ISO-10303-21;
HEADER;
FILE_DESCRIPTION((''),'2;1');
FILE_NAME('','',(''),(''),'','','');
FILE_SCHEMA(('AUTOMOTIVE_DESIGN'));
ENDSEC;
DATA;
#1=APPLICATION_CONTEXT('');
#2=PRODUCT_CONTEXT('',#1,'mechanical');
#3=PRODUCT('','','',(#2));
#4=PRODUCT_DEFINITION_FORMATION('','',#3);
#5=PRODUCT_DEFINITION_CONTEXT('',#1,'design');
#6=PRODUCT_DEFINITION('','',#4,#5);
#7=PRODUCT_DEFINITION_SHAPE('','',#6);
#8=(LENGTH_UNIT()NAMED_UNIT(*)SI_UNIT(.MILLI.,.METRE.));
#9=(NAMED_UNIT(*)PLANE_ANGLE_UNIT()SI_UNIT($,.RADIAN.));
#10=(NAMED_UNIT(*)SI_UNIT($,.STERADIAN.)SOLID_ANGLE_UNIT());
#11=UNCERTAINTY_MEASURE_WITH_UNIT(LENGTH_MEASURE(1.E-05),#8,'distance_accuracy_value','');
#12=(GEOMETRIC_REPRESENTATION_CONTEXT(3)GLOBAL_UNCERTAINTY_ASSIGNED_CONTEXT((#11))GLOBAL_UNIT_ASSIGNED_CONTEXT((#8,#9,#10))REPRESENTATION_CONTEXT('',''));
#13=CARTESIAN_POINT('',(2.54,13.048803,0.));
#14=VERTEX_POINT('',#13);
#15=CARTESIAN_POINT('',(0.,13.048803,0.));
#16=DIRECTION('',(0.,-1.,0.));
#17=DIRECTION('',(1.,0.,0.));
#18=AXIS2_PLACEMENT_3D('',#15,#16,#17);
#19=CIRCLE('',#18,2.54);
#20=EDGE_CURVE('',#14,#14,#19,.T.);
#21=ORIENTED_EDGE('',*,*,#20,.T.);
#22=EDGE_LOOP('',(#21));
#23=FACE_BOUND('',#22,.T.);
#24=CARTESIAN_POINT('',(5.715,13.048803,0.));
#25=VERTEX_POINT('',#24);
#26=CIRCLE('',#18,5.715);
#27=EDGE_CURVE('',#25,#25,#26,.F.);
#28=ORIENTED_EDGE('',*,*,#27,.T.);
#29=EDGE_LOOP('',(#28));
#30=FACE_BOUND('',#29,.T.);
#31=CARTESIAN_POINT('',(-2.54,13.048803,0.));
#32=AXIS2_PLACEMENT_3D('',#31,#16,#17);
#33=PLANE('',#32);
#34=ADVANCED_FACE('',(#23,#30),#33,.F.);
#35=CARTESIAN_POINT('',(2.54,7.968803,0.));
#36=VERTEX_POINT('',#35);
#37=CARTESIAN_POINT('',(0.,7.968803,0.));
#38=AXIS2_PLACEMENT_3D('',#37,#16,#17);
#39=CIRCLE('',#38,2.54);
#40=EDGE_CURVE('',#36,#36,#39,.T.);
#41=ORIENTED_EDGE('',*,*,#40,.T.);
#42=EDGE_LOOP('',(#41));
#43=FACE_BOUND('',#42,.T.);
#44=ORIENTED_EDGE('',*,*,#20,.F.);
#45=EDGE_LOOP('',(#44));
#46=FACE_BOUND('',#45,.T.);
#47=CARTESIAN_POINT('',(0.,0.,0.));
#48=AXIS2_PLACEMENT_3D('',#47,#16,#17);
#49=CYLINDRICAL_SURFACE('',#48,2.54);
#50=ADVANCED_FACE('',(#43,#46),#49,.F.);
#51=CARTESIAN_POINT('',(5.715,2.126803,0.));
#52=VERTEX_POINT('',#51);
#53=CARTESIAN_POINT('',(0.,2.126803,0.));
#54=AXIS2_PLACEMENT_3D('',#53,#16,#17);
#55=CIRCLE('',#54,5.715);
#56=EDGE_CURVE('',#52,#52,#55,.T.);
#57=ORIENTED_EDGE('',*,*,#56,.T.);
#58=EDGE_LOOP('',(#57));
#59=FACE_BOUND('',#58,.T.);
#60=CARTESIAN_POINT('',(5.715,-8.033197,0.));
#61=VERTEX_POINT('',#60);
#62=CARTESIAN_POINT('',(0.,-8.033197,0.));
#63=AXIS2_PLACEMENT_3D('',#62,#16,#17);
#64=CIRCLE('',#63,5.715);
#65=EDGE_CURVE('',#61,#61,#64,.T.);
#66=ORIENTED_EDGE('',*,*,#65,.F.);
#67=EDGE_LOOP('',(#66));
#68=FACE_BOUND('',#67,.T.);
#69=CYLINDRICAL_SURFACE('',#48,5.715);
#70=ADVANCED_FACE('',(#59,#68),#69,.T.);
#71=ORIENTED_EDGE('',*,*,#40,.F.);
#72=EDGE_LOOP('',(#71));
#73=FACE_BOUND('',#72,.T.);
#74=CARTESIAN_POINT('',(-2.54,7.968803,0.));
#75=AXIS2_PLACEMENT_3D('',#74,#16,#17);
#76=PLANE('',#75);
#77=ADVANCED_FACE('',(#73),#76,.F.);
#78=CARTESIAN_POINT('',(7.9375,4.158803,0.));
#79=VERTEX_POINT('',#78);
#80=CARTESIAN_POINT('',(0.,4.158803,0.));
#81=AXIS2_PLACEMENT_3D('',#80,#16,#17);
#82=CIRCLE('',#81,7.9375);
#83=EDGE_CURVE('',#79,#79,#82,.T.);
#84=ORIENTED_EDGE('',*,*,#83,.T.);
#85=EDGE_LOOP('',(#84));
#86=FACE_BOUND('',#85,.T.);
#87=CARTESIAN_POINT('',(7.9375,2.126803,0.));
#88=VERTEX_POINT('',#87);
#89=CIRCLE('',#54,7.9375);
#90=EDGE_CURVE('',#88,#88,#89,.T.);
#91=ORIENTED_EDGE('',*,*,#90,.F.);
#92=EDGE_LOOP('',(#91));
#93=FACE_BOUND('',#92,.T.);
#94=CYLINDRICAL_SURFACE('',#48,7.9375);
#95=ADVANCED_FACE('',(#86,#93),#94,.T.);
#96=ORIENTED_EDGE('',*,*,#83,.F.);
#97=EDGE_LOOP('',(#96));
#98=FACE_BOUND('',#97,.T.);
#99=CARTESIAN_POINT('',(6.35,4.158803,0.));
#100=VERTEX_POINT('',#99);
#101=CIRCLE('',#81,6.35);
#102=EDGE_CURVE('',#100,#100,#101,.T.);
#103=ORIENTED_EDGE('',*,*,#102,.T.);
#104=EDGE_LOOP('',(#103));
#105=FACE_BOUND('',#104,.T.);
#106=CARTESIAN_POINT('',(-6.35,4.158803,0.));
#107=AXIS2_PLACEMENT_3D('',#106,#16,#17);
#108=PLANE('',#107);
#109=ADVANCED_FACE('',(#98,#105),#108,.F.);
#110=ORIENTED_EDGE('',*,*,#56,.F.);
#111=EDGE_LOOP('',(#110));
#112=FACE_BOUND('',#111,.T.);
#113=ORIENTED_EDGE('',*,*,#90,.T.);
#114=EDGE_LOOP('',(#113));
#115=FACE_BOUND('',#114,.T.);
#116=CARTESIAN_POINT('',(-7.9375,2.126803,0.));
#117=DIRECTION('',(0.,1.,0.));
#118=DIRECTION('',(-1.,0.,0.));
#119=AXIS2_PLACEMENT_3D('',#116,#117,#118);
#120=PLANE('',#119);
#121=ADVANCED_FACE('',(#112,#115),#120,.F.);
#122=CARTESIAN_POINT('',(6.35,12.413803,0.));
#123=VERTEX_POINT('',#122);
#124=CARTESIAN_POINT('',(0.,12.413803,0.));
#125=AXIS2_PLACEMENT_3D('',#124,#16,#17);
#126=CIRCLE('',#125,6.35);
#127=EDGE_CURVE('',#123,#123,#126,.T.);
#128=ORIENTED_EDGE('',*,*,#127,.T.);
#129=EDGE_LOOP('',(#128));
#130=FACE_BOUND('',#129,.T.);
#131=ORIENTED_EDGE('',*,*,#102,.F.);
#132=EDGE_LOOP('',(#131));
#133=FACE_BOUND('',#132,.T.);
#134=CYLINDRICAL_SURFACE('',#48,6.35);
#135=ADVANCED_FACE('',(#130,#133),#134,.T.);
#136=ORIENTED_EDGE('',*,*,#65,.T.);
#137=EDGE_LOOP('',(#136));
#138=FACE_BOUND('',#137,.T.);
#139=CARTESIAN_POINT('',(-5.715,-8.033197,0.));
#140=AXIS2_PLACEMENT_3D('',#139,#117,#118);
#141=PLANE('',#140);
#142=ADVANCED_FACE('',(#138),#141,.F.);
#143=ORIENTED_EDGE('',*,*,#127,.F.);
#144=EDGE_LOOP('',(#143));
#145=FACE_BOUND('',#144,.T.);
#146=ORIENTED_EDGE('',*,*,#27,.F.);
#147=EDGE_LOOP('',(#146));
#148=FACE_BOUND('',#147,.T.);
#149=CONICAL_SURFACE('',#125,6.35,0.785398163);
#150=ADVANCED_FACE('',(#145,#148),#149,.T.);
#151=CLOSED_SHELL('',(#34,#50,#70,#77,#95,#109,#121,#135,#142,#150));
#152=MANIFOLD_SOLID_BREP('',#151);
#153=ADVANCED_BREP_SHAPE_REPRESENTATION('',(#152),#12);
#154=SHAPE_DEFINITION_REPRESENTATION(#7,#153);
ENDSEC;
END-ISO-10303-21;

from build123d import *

# Parameters (mm, degrees)
CHAMFER1_SIZE = 0.635


with BuildPart() as part:
    # Sketch1 → Revolve1 (revolve)
    with BuildSketch(Plane.XY):
        Polygon((-2.54, 13.048802817), (-6.35, 13.048802817), (-6.35, 4.158802817), (-7.9375, 4.158802817), (-7.9375, 2.126802817), (-5.715, 2.126802817), (-5.715, -8.033197183), (0, -8.033197183), (0, 7.968802817), (-2.54, 7.968802817), align=None)
    revolve(axis=Axis((0, 0, 0), (0, 1, 0)))

    # Chamfer1
    chamfer1_edges = [part.edges().sort_by_distance(p)[0] for p in [
        (6.35, 13.048802817, 0),
    ]]
    chamfer(chamfer1_edges, length=CHAMFER1_SIZE)


solid = part.part
